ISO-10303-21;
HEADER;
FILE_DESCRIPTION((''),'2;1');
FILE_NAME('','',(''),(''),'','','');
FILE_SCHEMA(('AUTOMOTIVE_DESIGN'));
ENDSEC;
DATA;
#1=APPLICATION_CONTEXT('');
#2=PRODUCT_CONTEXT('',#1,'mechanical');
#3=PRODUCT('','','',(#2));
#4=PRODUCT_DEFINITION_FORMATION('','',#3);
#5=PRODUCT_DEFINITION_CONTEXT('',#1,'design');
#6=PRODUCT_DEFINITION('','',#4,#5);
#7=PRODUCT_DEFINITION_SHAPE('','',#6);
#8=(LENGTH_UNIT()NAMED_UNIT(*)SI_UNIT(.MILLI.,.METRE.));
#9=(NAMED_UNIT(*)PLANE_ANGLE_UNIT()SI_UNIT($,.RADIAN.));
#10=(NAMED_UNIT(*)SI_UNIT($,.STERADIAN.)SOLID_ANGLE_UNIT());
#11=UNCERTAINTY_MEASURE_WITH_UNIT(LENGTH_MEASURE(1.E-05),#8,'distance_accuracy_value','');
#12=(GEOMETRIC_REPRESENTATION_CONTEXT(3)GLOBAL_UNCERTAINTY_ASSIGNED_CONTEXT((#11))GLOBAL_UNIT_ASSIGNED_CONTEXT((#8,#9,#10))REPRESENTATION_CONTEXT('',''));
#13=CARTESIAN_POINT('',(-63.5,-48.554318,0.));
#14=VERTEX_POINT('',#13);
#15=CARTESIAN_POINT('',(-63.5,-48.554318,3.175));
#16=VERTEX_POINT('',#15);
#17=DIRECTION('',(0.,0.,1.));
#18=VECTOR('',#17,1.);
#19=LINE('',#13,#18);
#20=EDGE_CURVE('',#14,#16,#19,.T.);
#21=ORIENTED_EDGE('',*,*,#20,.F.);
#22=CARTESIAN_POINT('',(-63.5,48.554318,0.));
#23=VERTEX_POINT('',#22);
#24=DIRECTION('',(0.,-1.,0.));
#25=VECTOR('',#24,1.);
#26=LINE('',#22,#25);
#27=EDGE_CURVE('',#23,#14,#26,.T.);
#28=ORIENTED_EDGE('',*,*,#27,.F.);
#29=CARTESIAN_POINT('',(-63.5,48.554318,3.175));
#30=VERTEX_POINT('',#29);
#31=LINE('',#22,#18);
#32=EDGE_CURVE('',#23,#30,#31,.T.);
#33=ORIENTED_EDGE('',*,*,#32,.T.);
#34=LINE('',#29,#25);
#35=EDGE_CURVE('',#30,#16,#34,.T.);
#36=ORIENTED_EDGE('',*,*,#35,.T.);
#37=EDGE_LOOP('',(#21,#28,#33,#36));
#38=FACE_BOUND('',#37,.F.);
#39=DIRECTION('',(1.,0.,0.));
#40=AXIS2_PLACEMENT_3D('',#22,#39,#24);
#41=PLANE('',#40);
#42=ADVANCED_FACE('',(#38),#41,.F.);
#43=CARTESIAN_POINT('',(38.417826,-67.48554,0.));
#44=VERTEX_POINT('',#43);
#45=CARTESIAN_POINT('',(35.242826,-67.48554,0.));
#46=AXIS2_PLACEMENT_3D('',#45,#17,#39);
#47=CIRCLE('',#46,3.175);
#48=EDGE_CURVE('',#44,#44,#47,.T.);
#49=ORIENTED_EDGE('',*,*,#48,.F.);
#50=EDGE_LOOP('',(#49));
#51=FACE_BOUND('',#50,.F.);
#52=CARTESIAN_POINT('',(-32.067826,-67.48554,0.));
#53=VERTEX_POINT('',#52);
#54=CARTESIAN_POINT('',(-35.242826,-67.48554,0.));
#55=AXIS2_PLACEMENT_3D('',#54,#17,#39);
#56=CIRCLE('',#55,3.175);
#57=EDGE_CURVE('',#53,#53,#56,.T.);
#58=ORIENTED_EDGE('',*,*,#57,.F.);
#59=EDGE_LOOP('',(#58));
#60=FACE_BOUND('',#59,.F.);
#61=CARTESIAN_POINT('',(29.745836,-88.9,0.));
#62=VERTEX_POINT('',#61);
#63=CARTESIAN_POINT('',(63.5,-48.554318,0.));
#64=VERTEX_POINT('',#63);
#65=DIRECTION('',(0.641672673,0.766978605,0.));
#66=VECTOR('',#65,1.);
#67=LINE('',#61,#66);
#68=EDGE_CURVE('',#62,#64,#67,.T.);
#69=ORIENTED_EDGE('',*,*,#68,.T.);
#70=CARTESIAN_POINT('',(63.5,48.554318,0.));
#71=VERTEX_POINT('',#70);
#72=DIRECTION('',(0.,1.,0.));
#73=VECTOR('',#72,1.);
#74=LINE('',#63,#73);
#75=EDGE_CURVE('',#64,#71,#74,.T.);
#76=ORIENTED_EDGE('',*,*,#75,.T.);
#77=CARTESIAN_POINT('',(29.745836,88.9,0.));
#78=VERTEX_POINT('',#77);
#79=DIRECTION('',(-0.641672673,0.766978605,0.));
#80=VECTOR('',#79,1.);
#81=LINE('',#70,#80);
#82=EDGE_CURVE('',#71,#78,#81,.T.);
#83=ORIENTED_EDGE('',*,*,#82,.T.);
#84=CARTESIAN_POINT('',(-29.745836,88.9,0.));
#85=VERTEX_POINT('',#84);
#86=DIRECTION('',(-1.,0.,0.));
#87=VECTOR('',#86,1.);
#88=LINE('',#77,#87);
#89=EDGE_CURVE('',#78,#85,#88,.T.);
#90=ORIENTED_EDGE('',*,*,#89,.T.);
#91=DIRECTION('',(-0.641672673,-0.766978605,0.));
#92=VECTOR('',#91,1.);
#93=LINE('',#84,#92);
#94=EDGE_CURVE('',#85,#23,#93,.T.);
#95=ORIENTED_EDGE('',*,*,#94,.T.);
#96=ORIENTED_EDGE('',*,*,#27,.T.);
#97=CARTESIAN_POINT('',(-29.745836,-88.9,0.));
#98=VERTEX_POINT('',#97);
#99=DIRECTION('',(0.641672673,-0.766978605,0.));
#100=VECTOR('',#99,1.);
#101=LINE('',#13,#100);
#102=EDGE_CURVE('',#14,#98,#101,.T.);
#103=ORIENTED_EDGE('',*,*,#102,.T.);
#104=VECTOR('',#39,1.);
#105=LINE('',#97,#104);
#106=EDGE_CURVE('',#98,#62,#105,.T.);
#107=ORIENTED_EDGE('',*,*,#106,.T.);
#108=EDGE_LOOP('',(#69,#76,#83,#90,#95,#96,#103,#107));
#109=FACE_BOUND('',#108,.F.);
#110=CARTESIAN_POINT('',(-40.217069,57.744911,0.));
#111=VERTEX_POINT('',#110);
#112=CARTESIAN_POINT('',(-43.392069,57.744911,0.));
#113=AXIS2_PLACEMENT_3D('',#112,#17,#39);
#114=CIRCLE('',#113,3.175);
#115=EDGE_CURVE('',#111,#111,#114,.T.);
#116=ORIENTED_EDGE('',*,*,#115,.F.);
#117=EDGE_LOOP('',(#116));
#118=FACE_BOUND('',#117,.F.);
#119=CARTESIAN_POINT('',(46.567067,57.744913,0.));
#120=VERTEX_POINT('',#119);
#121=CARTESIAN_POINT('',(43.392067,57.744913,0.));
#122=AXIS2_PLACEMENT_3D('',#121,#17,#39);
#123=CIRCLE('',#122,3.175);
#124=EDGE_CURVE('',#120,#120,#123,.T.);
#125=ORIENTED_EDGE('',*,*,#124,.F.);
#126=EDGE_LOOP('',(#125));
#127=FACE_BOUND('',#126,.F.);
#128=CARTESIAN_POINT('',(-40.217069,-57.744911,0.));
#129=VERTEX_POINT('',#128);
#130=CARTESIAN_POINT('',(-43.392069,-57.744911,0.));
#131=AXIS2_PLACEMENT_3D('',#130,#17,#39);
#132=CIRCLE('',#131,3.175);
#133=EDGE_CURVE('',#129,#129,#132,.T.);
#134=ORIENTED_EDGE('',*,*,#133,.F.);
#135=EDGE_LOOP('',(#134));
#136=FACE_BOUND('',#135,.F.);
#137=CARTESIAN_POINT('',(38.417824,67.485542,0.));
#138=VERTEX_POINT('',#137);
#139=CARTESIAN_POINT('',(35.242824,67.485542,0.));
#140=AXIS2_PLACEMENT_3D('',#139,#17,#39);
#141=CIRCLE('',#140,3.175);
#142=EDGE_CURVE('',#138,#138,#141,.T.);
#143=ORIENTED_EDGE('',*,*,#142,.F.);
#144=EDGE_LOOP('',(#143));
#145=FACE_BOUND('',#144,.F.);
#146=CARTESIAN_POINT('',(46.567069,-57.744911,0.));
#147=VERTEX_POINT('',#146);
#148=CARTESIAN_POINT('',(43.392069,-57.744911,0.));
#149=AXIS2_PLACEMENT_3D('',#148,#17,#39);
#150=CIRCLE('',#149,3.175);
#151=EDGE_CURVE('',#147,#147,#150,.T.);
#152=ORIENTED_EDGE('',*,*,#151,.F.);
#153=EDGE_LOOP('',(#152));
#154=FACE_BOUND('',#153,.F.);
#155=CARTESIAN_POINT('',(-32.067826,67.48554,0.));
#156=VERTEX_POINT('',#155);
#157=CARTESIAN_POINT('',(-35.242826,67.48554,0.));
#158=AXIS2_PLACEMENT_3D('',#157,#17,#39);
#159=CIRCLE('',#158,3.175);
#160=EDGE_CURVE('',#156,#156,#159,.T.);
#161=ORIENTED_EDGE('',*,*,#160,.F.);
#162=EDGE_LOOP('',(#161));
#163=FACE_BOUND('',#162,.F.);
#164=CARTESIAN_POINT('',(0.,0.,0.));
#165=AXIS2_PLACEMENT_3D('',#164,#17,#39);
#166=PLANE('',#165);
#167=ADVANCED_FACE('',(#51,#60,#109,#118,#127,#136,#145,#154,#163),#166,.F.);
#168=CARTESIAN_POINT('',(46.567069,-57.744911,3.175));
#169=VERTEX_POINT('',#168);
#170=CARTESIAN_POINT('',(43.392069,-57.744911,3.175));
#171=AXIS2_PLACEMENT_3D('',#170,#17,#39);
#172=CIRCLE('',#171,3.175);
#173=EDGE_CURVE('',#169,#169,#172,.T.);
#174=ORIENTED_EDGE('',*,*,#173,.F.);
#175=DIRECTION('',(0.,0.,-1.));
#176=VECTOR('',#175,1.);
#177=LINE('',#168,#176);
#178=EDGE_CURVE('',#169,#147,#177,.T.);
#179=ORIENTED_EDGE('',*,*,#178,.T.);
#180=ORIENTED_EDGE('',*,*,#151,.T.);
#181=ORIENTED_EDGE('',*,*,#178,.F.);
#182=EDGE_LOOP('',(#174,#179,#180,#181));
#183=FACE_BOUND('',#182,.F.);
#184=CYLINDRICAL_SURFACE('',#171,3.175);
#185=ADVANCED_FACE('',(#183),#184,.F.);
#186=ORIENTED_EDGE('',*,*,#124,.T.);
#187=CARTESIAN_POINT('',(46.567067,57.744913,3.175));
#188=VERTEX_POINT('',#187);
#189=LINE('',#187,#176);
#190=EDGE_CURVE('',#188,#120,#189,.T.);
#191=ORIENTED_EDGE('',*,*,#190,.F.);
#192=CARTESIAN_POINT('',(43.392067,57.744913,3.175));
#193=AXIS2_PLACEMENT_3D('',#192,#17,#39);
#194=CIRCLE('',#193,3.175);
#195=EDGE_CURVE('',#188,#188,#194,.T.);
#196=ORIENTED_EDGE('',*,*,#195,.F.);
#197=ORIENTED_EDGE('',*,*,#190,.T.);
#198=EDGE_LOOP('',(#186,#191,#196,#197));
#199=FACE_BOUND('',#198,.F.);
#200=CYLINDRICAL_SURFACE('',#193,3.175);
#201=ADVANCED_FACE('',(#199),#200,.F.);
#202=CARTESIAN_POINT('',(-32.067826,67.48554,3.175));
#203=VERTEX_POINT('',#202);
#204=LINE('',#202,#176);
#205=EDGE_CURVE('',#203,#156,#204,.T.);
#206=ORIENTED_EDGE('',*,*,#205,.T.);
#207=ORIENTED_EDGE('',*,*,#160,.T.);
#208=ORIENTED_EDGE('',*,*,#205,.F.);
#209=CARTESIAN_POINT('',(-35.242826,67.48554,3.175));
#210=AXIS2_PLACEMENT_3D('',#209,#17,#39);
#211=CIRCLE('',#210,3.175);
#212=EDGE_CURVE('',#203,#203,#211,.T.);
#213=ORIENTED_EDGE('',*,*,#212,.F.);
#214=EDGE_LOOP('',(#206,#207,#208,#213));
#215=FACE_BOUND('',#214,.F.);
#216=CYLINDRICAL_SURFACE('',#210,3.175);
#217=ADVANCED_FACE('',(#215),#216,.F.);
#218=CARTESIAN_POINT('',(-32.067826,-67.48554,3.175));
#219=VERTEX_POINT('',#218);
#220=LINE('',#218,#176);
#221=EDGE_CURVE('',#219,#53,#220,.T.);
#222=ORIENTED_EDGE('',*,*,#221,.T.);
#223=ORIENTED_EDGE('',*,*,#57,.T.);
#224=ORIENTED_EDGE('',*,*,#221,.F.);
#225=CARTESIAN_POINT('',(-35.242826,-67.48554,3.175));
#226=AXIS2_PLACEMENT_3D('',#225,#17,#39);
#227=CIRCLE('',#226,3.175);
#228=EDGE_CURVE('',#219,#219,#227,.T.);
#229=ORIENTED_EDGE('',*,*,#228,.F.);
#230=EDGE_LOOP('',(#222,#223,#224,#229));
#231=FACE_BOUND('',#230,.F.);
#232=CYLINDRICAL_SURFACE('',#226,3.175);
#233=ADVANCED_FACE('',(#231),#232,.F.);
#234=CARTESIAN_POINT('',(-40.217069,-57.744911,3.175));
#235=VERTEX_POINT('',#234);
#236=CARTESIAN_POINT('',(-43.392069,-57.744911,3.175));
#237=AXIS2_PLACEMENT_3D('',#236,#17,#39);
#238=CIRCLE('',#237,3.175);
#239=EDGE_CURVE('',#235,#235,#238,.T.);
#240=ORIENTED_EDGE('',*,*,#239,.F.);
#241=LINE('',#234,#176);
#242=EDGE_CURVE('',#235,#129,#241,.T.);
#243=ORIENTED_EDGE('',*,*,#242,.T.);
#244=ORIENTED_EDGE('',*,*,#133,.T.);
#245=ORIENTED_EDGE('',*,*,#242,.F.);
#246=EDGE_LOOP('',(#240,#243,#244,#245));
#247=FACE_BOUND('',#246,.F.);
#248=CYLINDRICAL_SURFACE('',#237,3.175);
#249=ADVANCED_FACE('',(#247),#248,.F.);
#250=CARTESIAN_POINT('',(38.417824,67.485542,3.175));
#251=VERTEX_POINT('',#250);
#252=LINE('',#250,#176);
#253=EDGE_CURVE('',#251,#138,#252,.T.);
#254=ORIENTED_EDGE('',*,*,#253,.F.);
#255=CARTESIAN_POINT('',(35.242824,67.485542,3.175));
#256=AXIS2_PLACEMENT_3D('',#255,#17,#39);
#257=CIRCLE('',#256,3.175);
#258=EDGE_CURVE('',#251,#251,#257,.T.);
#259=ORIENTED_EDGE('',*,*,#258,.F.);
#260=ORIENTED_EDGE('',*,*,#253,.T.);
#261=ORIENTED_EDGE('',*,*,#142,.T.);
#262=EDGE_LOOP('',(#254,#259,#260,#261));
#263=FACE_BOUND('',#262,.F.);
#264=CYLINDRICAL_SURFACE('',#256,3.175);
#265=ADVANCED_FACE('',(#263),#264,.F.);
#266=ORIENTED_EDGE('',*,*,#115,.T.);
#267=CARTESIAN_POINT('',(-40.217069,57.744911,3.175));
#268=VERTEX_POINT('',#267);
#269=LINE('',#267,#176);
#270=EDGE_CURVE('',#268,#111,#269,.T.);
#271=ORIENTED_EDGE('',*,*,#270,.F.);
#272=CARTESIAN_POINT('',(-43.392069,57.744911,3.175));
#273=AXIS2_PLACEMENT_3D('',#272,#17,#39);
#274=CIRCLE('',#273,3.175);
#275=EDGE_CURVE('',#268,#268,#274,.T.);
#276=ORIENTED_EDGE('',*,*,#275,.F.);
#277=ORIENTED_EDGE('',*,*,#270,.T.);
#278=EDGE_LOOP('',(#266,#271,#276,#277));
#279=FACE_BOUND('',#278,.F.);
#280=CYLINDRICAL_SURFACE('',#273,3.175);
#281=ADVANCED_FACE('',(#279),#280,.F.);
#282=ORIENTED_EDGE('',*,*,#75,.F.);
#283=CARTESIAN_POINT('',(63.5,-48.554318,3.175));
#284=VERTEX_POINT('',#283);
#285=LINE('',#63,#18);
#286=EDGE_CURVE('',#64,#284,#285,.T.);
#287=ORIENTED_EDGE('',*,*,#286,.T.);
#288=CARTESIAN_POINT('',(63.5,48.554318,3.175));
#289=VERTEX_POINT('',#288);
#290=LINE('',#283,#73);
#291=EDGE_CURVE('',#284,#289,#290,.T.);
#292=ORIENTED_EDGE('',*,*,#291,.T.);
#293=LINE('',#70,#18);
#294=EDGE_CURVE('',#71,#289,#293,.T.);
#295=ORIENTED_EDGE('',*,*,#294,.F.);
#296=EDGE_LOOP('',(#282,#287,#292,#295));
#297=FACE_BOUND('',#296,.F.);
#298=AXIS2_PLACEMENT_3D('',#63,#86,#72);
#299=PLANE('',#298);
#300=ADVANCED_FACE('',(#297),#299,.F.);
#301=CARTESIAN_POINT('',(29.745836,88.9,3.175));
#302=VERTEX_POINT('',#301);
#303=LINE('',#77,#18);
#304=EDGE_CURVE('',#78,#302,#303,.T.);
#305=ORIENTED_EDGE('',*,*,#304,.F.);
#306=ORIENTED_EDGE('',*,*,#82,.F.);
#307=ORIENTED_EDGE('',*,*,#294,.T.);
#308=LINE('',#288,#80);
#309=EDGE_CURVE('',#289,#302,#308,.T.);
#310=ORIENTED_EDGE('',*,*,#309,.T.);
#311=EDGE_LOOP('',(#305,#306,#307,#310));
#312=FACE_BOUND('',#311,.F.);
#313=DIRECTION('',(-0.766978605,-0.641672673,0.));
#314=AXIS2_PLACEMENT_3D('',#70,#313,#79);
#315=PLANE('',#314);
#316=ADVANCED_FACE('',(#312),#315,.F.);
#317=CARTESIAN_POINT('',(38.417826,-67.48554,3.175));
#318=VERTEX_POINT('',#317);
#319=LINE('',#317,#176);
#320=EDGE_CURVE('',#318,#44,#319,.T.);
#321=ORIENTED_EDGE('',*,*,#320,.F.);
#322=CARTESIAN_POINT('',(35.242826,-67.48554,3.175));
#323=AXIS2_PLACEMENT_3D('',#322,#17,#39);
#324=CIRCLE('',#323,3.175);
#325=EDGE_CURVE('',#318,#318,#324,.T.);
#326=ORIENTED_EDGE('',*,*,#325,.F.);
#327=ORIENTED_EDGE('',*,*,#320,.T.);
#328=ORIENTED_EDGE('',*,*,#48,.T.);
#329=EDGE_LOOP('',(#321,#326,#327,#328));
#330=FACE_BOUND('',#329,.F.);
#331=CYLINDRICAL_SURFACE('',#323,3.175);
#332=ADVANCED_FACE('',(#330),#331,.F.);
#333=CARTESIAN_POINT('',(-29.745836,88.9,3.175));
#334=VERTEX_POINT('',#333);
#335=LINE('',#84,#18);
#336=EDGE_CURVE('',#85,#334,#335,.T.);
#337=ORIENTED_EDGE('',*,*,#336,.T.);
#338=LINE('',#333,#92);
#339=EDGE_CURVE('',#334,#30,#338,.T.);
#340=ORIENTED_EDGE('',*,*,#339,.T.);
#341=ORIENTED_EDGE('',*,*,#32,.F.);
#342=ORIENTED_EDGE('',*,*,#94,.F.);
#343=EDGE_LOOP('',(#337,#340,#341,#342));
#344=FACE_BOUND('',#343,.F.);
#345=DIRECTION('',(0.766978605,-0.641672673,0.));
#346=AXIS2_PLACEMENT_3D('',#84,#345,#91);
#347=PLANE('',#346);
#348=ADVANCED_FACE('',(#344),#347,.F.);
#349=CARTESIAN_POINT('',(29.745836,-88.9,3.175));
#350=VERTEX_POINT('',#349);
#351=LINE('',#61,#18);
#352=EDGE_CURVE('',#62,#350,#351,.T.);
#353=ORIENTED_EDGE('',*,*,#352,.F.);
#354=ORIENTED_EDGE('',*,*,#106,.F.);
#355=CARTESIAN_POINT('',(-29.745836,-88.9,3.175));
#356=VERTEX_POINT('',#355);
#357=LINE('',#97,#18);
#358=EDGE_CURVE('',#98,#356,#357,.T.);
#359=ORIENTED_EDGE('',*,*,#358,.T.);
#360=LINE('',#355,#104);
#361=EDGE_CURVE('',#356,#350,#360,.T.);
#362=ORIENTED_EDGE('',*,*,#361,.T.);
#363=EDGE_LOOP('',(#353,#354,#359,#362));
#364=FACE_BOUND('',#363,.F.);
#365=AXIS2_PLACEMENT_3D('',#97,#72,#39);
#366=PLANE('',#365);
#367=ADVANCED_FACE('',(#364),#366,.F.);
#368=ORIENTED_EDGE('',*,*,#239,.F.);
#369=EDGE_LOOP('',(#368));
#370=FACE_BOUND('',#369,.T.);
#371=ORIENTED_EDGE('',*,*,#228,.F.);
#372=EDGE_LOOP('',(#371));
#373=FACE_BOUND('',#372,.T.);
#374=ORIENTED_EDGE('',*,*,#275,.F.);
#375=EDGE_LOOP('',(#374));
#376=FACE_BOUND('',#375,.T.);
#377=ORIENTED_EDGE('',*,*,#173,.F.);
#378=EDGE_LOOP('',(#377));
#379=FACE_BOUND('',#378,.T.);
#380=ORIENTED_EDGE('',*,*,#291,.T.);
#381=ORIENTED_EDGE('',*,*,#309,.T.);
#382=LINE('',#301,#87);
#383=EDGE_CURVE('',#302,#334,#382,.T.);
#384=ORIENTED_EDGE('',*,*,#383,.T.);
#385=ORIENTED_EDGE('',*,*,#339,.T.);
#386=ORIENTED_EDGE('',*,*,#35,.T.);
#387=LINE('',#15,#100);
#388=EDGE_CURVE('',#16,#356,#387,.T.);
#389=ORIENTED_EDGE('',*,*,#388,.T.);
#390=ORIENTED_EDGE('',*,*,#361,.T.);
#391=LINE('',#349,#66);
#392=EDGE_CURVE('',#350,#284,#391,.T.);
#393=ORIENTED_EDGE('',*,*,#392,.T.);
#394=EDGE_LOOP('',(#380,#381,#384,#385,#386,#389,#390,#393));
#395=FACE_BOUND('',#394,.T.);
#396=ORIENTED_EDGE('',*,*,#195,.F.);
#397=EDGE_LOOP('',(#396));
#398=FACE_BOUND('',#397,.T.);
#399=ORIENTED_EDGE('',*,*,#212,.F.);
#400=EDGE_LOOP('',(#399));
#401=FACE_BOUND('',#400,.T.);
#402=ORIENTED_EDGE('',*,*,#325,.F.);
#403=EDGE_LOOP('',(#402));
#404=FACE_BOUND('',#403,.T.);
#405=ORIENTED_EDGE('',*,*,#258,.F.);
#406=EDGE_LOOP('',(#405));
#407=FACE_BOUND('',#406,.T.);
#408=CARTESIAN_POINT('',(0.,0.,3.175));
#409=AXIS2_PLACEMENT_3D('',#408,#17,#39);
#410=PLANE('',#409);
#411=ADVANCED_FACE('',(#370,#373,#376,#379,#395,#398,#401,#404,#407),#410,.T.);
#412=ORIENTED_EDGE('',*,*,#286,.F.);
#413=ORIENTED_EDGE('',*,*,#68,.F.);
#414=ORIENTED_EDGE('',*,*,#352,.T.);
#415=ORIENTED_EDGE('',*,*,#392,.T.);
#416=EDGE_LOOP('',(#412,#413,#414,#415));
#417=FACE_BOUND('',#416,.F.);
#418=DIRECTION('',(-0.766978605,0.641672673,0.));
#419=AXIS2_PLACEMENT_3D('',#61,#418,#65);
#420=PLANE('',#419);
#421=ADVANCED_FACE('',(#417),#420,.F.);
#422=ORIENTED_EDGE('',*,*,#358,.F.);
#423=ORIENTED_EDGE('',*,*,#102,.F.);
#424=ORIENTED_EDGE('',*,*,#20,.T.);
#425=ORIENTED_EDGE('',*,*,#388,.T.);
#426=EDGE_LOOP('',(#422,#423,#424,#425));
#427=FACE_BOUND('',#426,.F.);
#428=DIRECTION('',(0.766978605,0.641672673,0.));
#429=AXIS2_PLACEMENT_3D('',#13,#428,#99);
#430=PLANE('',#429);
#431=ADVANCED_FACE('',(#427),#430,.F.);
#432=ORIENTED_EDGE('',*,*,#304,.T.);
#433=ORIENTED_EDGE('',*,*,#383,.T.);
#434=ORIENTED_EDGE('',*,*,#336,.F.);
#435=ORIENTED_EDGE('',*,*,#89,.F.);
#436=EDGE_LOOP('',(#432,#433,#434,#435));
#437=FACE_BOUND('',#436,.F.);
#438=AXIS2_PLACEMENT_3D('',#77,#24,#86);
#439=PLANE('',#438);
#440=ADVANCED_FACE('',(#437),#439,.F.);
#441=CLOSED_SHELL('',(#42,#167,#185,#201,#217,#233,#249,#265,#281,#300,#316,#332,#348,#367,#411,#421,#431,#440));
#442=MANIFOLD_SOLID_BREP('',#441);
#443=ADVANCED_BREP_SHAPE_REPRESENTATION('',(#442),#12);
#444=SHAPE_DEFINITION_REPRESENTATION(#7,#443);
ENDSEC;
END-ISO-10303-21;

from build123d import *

# Parameters (mm, degrees)
F1_DEPTH = 3.175
F2_R     = 3.175
F3_DEPTH = 25.4


with BuildPart() as f1:
    # F0 (on Top) → F1 (new body)
    with BuildSketch(Plane.XY):
        Polygon((29.745836, 88.9), (-29.745836, 88.9), (-63.5, 48.554318), (-63.5, -48.554318), (-29.745836, -88.9), (29.745836, -88.9), (63.5, -48.554318), (63.5, 48.554318), align=None)
    extrude(amount=F1_DEPTH)

    # F2 (on face) → F3 (cut)
    with BuildSketch(Plane.XY.offset(3.175)):
        with Locations((-43.392069, 57.744911)):
            Circle(F2_R)
        with Locations((-35.242826, 67.48554)):
            Circle(F2_R)
        with Locations((35.242824, 67.485542)):
            Circle(F2_R)
        with Locations((43.392067, 57.744913)):
            Circle(F2_R)
        with Locations((43.392069, -57.744911)):
            Circle(F2_R)
        with Locations((35.242826, -67.48554)):
            Circle(F2_R)
        with Locations((-35.242826, -67.48554)):
            Circle(F2_R)
        with Locations((-43.392069, -57.744911)):
            Circle(F2_R)
    extrude(amount=-F3_DEPTH, mode=Mode.SUBTRACT)


solid = f1.part
